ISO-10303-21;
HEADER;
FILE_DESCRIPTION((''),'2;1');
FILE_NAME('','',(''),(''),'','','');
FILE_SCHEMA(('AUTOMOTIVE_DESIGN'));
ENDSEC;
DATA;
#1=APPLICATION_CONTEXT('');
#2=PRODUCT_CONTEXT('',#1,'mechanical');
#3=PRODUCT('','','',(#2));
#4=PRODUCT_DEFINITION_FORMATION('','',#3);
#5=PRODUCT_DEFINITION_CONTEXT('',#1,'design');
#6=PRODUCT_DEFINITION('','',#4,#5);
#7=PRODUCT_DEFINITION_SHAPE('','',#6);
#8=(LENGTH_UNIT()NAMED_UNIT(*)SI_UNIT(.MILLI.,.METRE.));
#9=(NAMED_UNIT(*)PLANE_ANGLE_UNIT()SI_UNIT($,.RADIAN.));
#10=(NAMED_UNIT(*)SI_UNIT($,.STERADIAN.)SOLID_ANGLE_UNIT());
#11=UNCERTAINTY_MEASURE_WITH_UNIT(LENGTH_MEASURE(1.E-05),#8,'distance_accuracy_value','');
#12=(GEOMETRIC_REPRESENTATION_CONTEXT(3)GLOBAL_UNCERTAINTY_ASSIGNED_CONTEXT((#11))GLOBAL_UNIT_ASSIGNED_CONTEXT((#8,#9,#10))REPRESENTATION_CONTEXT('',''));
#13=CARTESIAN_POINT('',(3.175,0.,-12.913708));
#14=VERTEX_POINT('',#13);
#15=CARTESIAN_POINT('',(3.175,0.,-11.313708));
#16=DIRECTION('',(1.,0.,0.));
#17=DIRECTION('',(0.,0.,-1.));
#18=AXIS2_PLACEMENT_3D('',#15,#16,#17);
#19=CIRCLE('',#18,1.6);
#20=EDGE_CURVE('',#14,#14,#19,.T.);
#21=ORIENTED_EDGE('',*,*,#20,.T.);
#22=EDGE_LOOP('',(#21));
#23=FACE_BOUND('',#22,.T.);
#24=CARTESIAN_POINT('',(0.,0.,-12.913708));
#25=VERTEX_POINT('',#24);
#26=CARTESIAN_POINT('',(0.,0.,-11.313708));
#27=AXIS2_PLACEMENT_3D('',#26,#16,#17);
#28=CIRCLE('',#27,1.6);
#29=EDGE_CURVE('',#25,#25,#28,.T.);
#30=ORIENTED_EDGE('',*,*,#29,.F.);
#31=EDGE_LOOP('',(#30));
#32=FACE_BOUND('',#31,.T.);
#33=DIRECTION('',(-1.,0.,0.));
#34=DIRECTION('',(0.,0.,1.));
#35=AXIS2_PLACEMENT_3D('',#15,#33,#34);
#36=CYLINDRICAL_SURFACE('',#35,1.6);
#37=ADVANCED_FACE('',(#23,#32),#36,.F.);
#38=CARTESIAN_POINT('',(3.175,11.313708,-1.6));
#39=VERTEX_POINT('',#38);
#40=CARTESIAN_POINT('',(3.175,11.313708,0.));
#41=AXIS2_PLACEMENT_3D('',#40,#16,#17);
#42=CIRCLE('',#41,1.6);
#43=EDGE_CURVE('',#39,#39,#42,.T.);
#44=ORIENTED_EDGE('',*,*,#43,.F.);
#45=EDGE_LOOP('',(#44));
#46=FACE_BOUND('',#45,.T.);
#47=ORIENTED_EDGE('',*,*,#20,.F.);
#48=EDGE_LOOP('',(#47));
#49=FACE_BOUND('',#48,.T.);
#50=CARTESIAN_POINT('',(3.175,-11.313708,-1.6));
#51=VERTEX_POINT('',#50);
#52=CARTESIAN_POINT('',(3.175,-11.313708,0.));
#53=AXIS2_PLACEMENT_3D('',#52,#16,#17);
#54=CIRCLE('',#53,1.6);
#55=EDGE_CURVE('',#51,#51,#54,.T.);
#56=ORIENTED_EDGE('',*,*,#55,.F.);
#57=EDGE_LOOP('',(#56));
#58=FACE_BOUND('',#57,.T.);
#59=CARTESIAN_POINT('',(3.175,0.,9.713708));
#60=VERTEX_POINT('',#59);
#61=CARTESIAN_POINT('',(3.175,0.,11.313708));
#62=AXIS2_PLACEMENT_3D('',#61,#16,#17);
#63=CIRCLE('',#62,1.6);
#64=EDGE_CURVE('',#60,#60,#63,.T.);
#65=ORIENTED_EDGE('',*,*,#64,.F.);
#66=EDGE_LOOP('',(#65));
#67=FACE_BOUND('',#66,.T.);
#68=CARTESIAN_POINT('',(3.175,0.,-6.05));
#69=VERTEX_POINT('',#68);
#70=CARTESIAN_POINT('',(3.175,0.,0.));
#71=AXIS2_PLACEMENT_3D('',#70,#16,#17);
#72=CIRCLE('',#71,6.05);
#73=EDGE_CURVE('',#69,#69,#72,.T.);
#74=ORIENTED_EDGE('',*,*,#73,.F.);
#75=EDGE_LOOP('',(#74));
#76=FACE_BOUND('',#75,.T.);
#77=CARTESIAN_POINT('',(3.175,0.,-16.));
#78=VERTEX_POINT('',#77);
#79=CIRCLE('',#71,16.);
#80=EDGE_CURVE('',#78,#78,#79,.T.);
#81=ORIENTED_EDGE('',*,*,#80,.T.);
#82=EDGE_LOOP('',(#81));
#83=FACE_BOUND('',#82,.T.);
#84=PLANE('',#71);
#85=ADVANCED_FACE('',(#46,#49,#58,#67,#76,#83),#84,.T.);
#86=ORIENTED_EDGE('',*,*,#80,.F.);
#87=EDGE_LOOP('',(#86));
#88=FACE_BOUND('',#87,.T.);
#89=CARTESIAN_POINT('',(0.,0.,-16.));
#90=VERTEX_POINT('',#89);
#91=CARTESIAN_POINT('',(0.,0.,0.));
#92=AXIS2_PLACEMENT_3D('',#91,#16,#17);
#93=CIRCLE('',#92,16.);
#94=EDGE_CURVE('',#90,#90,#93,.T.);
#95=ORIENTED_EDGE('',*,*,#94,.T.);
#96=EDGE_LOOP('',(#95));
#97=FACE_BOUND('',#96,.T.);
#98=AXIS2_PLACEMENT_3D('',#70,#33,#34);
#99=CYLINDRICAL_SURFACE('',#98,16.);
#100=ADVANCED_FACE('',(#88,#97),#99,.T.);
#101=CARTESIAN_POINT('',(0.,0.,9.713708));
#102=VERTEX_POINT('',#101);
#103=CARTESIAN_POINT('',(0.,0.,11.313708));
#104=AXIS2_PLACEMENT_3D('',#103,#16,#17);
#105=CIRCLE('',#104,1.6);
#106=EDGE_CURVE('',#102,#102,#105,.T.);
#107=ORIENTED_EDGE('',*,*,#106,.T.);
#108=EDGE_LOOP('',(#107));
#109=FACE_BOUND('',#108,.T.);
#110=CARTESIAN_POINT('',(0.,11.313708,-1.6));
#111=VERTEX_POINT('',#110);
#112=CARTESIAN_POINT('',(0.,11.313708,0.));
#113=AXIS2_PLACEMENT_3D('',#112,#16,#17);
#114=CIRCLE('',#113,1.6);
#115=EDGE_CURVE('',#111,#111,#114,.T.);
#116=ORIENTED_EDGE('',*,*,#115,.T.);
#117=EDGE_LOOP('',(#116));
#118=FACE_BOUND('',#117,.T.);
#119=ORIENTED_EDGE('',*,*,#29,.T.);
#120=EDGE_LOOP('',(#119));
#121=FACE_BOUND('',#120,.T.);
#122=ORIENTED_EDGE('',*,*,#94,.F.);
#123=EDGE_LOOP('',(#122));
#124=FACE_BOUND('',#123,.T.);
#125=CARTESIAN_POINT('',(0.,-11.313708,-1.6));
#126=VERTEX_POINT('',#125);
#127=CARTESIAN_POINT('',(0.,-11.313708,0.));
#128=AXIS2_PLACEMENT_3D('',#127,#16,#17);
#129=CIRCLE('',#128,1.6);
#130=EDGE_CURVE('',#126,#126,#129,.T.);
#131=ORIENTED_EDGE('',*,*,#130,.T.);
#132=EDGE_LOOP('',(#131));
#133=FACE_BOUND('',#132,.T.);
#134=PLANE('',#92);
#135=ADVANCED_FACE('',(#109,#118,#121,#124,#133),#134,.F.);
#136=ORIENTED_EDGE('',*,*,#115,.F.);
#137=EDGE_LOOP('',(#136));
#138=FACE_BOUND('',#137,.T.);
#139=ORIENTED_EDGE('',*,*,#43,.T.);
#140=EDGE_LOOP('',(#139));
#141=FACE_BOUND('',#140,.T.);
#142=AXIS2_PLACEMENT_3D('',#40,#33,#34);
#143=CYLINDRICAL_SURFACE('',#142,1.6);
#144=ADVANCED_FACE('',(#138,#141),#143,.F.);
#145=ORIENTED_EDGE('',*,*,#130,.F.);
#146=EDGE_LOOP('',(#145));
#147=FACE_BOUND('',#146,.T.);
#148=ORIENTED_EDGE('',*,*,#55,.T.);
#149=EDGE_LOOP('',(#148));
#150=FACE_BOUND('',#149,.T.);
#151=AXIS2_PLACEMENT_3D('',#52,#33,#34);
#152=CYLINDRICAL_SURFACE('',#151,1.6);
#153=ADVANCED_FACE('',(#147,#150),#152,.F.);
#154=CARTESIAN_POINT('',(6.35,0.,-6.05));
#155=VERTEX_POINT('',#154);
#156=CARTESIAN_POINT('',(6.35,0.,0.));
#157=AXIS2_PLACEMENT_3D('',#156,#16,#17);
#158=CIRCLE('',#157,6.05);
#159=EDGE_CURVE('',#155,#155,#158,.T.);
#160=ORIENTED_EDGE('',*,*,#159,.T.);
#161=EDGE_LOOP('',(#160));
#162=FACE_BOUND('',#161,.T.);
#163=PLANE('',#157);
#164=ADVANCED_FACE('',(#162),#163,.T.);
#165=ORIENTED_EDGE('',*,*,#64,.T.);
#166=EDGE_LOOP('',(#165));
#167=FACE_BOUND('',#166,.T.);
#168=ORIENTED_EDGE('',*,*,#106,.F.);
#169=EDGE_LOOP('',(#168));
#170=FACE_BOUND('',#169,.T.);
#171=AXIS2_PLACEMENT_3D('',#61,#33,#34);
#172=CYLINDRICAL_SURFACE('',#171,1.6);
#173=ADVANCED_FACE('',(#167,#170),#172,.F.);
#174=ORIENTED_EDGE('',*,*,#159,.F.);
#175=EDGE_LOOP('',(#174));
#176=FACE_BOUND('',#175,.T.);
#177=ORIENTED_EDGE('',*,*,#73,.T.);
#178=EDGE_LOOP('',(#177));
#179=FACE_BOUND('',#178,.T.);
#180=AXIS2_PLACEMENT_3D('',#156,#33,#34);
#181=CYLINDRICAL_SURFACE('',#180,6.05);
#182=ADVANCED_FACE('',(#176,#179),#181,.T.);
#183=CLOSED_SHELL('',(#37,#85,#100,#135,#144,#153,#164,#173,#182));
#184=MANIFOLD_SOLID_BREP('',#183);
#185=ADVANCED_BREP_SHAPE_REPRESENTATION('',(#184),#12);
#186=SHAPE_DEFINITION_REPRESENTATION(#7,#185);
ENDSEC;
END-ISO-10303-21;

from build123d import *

# Parameters (mm, degrees)
SKETCH1_R           = 16
SKETCH1_R_2         = 1.6
BOSS_EXTRUDE1_DEPTH = 3.175
SKETCH2_R           = 6.05
BOSS_EXTRUDE2_DEPTH = 3.175


with BuildPart() as part:
    # Sketch1 → Boss-Extrude1 (new body)
    with BuildSketch(Plane(origin=(0, 0, 0), x_dir=(0, 0, -1), z_dir=(1, 0, 0))):
        Circle(SKETCH1_R)
        with Locations((0, 11.313708499)):
            Circle(SKETCH1_R_2, mode=Mode.SUBTRACT)
        with Locations((11.313708499, 0)):
            Circle(SKETCH1_R_2, mode=Mode.SUBTRACT)
        with Locations((0, -11.313708499)):
            Circle(SKETCH1_R_2, mode=Mode.SUBTRACT)
        with Locations((-11.313708499, 0)):
            Circle(SKETCH1_R_2, mode=Mode.SUBTRACT)
    extrude(amount=BOSS_EXTRUDE1_DEPTH)

    # Sketch2 → Boss-Extrude2 (add)
    with BuildSketch(Plane(origin=(3.175, 0, 0), x_dir=(0, 0, -1), z_dir=(1, 0, 0))):
        Circle(SKETCH2_R)
    extrude(amount=BOSS_EXTRUDE2_DEPTH)


solid = part.part
